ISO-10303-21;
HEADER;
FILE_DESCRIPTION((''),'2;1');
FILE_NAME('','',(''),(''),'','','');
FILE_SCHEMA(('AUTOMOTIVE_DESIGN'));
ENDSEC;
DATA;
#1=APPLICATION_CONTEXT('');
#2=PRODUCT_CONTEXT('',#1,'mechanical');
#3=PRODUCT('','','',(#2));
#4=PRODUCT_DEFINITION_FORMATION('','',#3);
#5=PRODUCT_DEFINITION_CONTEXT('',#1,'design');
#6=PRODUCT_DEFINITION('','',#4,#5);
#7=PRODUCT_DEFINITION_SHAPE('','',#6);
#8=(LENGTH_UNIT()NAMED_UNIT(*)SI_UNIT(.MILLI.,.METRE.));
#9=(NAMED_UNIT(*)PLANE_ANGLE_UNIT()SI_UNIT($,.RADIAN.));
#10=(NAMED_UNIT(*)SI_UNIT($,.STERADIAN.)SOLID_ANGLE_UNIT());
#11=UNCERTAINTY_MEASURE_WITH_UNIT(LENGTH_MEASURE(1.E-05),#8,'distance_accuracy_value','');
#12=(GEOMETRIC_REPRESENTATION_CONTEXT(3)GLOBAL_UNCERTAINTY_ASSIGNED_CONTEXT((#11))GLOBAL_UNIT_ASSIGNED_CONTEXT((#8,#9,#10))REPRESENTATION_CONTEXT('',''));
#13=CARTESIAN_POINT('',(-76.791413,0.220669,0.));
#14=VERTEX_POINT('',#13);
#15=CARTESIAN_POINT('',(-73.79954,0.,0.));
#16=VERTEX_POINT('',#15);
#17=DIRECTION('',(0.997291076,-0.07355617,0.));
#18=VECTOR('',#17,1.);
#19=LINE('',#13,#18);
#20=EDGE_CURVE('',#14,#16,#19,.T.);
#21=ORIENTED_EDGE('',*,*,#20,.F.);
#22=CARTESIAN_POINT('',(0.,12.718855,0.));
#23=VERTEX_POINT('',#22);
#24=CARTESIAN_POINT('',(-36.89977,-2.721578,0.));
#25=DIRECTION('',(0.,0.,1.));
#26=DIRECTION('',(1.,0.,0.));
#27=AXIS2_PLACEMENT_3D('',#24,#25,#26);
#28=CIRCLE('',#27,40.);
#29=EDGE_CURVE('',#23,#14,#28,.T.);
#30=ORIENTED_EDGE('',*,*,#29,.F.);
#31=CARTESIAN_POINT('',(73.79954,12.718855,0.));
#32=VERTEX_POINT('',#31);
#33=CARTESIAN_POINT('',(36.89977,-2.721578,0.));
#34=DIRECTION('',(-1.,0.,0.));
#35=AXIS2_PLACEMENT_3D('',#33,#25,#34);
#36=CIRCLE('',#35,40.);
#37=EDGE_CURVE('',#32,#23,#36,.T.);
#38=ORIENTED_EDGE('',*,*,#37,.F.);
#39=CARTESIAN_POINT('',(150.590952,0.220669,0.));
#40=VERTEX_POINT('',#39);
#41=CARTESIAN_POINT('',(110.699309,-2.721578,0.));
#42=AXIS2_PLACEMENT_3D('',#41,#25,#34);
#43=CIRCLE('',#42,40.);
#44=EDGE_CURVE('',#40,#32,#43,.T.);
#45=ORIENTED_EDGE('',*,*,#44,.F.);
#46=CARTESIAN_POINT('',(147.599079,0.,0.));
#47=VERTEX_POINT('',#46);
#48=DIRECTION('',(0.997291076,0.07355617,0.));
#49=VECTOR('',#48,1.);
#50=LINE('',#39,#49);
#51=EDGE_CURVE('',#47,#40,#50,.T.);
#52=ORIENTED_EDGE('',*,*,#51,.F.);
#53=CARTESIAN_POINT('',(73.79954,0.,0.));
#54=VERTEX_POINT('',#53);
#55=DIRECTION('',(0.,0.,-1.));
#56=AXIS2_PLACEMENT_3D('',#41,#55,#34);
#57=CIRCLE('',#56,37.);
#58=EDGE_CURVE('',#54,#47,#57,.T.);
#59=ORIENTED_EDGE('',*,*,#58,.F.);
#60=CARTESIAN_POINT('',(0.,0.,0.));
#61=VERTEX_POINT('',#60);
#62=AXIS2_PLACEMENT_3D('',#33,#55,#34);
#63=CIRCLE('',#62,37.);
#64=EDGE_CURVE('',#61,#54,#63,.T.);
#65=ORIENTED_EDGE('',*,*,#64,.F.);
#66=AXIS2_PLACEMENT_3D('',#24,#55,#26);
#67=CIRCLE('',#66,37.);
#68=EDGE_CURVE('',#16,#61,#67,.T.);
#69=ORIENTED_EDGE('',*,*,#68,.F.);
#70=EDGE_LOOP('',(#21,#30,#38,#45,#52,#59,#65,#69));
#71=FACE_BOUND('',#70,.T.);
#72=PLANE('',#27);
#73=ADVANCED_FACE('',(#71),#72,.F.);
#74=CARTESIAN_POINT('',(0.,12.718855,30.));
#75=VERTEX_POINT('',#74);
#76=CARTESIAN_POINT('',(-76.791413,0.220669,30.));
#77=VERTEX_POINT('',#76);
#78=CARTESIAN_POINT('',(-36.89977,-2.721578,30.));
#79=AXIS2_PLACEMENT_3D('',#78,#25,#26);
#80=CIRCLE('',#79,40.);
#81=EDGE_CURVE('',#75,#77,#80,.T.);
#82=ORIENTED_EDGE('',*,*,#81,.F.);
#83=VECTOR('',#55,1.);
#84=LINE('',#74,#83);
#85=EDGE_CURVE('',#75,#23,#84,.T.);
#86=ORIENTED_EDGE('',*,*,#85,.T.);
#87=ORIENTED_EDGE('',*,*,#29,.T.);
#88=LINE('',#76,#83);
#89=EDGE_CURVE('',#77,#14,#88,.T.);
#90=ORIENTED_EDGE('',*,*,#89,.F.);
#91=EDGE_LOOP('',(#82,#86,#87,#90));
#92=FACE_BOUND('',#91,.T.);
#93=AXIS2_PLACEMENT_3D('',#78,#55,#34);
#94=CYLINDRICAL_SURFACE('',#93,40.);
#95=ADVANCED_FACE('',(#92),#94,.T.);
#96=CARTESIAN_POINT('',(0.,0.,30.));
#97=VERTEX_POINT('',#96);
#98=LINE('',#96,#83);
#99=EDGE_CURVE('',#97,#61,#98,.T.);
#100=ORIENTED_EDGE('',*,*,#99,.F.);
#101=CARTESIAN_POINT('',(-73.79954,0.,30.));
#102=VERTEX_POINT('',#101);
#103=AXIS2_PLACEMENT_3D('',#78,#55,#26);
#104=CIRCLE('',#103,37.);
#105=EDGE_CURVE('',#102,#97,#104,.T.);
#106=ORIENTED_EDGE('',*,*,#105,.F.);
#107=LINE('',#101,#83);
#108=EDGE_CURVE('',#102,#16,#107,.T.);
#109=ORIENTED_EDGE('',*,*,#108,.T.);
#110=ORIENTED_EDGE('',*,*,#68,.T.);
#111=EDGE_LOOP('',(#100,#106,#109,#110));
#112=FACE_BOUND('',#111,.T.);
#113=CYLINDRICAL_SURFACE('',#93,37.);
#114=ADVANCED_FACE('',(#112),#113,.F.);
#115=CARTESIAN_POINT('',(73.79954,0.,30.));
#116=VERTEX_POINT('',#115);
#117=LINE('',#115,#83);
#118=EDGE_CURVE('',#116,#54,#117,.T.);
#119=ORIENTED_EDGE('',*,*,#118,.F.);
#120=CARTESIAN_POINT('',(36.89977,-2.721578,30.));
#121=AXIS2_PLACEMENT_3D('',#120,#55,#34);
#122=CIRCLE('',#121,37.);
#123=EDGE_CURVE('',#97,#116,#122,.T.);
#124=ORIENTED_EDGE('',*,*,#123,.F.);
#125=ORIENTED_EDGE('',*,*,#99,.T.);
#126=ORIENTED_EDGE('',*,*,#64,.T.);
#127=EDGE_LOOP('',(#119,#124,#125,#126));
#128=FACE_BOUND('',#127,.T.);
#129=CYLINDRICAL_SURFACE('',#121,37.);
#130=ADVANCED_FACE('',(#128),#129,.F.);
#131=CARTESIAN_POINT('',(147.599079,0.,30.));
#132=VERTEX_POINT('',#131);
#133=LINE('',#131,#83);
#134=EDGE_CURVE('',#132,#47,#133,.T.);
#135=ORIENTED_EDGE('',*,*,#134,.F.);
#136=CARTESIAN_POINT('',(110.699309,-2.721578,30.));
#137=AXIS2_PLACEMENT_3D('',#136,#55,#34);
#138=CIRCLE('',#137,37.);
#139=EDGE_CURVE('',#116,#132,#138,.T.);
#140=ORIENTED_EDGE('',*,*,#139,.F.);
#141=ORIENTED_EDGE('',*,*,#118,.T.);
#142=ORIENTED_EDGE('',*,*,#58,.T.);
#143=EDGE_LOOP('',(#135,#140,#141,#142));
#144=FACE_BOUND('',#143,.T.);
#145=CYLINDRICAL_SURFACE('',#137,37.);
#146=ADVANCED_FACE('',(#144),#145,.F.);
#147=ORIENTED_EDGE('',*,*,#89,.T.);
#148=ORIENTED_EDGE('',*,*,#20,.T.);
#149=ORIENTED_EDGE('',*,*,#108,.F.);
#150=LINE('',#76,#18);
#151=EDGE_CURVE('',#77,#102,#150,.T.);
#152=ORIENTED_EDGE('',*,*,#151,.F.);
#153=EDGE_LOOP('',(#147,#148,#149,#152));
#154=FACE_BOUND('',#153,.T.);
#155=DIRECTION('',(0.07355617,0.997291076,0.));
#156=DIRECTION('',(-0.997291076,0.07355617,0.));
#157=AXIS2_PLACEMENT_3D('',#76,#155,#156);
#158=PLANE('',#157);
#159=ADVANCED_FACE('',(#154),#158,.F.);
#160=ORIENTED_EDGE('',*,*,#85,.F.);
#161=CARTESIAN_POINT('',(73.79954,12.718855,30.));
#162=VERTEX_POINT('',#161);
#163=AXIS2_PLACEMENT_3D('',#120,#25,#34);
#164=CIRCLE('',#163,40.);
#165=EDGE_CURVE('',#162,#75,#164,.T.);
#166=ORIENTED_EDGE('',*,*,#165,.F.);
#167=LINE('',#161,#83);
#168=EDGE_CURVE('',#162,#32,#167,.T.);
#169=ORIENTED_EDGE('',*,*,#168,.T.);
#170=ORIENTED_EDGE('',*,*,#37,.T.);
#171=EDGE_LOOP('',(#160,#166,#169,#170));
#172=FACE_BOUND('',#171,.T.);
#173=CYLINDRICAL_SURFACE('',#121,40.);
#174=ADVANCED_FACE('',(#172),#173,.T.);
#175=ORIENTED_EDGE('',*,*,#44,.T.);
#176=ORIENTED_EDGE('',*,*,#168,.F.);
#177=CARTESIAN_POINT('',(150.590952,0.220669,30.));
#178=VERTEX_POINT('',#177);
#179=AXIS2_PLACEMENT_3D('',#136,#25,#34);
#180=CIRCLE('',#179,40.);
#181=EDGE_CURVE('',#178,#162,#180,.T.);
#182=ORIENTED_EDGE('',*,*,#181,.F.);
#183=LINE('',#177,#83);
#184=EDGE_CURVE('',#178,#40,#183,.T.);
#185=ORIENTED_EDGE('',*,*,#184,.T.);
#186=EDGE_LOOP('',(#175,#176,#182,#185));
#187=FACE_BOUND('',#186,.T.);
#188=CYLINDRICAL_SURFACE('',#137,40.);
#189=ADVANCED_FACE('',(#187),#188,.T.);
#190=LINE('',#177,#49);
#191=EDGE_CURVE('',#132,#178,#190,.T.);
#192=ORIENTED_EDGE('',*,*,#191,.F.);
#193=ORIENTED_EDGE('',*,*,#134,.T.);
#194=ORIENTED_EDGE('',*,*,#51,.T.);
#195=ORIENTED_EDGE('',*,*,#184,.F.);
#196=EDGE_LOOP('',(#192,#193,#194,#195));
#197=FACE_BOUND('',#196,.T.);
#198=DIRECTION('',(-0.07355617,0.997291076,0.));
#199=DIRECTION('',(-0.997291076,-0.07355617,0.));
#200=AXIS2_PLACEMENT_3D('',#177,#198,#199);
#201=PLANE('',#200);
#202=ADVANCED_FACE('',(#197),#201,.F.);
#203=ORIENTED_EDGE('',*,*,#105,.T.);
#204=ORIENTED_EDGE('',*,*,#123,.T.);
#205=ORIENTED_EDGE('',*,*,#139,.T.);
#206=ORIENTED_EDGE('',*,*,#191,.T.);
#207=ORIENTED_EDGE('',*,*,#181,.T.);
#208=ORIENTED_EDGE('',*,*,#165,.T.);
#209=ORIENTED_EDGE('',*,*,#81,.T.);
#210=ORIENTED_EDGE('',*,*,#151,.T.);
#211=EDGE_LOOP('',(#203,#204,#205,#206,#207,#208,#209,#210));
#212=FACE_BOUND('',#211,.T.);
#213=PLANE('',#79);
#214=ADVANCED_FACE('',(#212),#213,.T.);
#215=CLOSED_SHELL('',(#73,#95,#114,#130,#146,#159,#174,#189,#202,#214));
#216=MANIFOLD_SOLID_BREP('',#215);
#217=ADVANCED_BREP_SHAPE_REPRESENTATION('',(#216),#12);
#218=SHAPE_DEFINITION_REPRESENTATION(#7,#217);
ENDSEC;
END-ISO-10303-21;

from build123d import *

# Parameters (mm, degrees)
BOSS_EXTRU_1_DEPTH = 30


with BuildPart() as part:
    # Esquisse1 → Boss.-Extru.1 (new body)
    with BuildSketch(Plane.XY):
        with BuildLine():
            Line((-76.791412836, 0.22066851), (-73.799539608, 0))
            ThreePointArc((-73.799539608, 0), (-36.899769804, 34.278421708), (0, 0))
            ThreePointArc((0, 0), (36.899769804, 34.278421708), (73.799539608, 0))
            ThreePointArc((73.799539608, 0), (110.699309413, 34.278421708), (147.599079217, 0))
            Line((147.599079217, 0), (150.590952444, 0.22066851))
            ThreePointArc((150.590952444, 0.22066851), (117.124960694, 36.75893596), (73.799539608, 12.718855264))
            ThreePointArc((73.799539608, 12.718855264), (36.899769804, 37.278421708), (0, 12.718855264))
            ThreePointArc((0, 12.718855264), (-43.325421085, 36.75893596), (-76.791412836, 0.22066851))
        make_face()
    extrude(amount=BOSS_EXTRU_1_DEPTH)


solid = part.part
